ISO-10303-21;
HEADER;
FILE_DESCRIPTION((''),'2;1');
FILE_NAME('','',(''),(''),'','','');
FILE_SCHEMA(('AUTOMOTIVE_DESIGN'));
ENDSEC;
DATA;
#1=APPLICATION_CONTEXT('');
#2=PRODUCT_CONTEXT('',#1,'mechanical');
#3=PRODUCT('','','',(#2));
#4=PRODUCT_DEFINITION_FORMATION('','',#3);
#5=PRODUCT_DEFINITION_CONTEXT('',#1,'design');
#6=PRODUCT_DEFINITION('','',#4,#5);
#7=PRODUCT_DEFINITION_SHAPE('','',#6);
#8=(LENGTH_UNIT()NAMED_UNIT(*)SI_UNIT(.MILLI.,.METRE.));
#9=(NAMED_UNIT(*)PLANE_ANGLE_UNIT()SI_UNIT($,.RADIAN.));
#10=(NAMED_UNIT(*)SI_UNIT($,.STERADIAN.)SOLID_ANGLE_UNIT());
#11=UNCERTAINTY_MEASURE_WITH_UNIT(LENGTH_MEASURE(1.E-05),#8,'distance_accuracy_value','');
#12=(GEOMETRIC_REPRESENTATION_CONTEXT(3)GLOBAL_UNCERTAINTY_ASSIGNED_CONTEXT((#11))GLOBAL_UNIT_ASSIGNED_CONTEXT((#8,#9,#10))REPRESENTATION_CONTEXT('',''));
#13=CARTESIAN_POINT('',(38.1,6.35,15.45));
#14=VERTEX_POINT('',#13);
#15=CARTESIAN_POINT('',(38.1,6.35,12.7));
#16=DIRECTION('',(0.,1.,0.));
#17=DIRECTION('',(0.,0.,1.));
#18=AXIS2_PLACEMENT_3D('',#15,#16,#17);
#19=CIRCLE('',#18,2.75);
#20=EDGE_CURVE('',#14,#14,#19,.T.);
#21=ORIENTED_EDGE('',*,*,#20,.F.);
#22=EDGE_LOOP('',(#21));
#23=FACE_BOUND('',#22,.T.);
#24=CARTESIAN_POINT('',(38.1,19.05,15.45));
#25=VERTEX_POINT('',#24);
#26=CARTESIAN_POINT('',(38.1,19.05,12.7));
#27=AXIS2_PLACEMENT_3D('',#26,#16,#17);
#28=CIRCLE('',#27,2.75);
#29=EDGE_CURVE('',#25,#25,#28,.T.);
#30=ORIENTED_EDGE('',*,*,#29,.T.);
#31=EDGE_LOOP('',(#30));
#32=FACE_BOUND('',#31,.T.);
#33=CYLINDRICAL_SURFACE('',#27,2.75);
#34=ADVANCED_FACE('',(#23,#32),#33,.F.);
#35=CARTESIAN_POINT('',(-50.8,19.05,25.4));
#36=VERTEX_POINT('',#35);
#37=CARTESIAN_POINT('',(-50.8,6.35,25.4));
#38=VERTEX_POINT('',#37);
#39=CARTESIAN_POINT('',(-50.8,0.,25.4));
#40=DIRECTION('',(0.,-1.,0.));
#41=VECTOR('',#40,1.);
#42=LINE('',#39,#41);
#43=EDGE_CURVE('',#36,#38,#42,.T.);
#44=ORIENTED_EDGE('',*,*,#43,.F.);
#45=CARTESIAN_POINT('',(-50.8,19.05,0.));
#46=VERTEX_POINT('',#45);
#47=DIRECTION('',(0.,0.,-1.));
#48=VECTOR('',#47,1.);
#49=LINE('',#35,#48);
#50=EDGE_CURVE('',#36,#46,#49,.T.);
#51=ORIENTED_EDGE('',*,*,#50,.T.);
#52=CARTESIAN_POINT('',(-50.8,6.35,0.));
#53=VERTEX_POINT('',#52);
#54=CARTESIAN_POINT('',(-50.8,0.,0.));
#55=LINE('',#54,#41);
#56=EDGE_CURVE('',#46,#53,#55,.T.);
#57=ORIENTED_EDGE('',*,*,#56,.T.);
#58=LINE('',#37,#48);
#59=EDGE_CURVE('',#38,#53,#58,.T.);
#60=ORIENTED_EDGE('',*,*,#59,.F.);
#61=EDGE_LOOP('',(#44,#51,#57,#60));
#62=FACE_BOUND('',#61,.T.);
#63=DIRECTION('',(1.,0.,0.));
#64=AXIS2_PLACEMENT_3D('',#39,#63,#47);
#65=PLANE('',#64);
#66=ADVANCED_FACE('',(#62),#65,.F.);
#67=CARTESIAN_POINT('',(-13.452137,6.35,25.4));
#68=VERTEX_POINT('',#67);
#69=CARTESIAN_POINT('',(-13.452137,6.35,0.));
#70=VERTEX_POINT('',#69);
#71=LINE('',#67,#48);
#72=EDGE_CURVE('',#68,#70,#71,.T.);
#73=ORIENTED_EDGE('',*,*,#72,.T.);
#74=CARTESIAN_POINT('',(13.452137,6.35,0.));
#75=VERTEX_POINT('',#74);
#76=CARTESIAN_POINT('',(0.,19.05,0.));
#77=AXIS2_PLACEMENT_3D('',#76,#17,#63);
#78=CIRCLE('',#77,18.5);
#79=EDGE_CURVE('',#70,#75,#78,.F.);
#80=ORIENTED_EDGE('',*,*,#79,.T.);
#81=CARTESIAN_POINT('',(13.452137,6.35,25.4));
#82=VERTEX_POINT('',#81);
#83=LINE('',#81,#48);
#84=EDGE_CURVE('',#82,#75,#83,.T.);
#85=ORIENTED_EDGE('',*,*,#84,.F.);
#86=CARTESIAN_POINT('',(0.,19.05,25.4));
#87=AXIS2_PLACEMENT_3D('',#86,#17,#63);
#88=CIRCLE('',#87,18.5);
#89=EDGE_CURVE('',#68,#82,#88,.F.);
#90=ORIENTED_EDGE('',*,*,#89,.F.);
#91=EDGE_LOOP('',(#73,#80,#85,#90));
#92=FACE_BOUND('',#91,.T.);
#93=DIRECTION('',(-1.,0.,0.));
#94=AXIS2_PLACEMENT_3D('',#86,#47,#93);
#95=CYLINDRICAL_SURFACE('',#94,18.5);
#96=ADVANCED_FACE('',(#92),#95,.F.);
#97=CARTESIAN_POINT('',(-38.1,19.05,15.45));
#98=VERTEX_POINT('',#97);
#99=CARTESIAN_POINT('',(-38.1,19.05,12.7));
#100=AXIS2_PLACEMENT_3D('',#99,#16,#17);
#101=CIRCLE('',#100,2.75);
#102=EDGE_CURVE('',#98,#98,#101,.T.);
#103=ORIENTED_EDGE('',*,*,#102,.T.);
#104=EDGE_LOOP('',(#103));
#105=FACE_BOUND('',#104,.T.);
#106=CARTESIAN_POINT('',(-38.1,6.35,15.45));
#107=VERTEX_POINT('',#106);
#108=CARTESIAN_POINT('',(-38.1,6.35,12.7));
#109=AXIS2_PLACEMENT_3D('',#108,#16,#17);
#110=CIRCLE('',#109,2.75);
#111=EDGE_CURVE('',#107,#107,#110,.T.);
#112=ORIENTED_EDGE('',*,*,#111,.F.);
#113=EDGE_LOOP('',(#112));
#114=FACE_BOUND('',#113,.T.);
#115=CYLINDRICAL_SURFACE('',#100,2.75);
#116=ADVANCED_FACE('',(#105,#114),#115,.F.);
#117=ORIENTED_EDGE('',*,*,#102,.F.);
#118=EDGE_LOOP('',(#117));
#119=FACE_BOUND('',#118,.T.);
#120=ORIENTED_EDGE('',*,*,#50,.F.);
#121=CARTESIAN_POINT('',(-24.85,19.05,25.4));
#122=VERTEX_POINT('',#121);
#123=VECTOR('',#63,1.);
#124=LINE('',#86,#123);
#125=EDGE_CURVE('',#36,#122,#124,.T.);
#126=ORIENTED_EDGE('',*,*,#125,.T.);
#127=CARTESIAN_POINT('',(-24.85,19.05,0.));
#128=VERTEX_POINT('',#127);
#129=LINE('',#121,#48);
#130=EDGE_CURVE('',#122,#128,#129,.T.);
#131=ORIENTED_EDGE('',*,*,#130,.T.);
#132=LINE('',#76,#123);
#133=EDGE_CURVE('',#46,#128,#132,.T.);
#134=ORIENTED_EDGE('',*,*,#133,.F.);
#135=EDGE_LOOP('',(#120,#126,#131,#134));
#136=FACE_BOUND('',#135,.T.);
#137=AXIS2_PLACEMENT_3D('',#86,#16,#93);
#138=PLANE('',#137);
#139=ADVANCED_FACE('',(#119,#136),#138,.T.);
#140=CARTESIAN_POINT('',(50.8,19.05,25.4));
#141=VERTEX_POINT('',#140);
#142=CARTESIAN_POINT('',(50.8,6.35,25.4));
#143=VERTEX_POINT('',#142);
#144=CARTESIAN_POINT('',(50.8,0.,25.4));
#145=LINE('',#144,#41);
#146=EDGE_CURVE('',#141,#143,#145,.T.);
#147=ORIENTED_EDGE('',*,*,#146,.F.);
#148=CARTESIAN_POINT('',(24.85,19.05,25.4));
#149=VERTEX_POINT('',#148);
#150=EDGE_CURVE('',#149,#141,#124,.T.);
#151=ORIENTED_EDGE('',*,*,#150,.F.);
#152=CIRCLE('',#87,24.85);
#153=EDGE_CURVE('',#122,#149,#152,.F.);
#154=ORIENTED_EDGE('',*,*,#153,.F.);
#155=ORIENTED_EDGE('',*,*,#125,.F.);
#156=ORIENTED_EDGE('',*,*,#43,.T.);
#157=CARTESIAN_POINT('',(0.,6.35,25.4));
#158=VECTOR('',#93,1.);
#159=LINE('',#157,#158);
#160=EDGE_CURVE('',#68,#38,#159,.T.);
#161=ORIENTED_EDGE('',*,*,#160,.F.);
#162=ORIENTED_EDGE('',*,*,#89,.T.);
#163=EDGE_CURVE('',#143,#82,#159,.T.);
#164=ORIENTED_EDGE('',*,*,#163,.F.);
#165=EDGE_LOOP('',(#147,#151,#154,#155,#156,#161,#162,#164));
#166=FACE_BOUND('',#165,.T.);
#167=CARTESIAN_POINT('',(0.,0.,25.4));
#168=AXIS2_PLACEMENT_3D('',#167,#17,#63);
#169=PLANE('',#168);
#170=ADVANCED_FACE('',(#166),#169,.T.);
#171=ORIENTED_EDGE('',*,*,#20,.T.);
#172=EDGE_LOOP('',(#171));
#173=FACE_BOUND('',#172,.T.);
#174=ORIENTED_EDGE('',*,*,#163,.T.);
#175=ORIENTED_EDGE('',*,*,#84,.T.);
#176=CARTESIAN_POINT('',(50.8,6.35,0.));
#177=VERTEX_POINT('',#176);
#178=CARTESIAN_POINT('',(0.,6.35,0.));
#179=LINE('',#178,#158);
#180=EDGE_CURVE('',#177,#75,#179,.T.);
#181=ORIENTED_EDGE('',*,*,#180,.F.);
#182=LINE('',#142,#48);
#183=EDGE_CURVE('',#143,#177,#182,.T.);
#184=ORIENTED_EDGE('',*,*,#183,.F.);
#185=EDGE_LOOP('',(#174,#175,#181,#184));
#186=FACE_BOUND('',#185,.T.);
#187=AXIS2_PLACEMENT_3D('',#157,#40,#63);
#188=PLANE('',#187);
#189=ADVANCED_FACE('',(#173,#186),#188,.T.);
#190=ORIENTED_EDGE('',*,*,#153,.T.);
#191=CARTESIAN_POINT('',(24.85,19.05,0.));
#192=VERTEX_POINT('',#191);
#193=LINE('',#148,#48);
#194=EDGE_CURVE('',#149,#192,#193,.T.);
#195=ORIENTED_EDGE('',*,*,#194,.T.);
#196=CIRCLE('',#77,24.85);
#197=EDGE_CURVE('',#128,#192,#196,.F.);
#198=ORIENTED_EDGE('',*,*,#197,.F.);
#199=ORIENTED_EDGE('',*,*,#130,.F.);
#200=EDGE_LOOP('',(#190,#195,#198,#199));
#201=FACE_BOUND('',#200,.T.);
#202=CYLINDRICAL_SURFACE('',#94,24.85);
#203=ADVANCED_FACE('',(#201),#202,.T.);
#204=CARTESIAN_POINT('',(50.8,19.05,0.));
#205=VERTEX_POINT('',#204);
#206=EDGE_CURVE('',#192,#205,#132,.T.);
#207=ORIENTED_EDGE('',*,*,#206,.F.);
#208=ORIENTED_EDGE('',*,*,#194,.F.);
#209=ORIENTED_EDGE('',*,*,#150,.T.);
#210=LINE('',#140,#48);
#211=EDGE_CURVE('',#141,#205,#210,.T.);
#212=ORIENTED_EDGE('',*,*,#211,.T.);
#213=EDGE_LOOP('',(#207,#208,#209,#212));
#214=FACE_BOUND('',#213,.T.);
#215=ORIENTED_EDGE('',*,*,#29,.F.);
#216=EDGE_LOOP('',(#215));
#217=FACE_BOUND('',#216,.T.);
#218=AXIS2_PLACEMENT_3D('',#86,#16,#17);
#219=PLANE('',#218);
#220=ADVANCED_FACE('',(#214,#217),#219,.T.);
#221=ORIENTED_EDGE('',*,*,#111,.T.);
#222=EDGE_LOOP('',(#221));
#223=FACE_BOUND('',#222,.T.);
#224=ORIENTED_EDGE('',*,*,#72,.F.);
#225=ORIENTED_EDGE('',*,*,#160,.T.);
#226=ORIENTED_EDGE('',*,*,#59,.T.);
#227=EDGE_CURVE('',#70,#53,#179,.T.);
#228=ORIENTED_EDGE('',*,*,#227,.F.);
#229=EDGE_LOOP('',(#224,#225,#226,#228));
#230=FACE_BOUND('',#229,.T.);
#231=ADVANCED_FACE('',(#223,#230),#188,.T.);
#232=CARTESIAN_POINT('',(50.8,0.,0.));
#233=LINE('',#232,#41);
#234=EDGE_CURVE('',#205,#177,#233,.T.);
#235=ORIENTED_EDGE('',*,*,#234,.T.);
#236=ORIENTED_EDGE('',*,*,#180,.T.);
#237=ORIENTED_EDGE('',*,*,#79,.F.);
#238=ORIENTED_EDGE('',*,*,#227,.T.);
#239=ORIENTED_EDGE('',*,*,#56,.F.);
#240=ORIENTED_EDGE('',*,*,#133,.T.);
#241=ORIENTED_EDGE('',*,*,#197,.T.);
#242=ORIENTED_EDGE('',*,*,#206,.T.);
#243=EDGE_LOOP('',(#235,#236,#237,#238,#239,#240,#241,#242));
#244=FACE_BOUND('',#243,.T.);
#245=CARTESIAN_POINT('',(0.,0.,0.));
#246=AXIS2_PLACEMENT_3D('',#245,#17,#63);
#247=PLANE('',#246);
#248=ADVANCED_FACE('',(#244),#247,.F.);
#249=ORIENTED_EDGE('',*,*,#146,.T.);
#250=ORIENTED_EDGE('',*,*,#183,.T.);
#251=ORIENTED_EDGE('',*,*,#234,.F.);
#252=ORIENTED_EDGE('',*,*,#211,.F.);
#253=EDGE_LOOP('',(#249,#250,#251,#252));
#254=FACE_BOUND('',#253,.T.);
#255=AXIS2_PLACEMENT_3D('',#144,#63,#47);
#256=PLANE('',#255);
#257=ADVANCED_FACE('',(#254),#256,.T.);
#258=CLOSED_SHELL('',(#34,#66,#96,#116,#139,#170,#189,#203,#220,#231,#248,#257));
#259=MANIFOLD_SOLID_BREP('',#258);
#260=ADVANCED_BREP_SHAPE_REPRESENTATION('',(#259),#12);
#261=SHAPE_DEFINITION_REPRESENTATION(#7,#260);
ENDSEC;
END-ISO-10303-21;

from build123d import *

# Parameters (mm, degrees)
BOSS_EXTRUDE2_DEPTH  = 25.4
M5_CLEARANCE_HOLE2_D = 5.5


with BuildPart() as part:
    # Sketch1<3> → Boss-Extrude2 (new body)
    with BuildSketch(Plane.XY):
        with BuildLine():
            Line((13.452137377, 6.35), (50.8, 6.35))
            Line((50.8, 6.35), (50.8, 19.05))
            Line((50.8, 19.05), (24.85, 19.05))
            ThreePointArc((24.85, 19.05), (0, 43.9), (-24.85, 19.05))
            Line((-24.85, 19.05), (-50.8, 19.05))
            Line((-50.8, 19.05), (-50.8, 6.35))
            Line((-50.8, 6.35), (-13.452137377, 6.35))
            ThreePointArc((-13.452137377, 6.35), (0, 37.55), (13.452137377, 6.35))
        make_face()
    extrude(amount=BOSS_EXTRUDE2_DEPTH)

    # M5 Clearance Hole2 (through all)
    with Locations(Plane(origin=(0, 19.05, 0), x_dir=(1, 0, 0), z_dir=(0, 1, 0))):
        with Locations((38.1, -12.7), (-38.1, -12.7)):
            Hole(M5_CLEARANCE_HOLE2_D / 2)


solid = part.part
